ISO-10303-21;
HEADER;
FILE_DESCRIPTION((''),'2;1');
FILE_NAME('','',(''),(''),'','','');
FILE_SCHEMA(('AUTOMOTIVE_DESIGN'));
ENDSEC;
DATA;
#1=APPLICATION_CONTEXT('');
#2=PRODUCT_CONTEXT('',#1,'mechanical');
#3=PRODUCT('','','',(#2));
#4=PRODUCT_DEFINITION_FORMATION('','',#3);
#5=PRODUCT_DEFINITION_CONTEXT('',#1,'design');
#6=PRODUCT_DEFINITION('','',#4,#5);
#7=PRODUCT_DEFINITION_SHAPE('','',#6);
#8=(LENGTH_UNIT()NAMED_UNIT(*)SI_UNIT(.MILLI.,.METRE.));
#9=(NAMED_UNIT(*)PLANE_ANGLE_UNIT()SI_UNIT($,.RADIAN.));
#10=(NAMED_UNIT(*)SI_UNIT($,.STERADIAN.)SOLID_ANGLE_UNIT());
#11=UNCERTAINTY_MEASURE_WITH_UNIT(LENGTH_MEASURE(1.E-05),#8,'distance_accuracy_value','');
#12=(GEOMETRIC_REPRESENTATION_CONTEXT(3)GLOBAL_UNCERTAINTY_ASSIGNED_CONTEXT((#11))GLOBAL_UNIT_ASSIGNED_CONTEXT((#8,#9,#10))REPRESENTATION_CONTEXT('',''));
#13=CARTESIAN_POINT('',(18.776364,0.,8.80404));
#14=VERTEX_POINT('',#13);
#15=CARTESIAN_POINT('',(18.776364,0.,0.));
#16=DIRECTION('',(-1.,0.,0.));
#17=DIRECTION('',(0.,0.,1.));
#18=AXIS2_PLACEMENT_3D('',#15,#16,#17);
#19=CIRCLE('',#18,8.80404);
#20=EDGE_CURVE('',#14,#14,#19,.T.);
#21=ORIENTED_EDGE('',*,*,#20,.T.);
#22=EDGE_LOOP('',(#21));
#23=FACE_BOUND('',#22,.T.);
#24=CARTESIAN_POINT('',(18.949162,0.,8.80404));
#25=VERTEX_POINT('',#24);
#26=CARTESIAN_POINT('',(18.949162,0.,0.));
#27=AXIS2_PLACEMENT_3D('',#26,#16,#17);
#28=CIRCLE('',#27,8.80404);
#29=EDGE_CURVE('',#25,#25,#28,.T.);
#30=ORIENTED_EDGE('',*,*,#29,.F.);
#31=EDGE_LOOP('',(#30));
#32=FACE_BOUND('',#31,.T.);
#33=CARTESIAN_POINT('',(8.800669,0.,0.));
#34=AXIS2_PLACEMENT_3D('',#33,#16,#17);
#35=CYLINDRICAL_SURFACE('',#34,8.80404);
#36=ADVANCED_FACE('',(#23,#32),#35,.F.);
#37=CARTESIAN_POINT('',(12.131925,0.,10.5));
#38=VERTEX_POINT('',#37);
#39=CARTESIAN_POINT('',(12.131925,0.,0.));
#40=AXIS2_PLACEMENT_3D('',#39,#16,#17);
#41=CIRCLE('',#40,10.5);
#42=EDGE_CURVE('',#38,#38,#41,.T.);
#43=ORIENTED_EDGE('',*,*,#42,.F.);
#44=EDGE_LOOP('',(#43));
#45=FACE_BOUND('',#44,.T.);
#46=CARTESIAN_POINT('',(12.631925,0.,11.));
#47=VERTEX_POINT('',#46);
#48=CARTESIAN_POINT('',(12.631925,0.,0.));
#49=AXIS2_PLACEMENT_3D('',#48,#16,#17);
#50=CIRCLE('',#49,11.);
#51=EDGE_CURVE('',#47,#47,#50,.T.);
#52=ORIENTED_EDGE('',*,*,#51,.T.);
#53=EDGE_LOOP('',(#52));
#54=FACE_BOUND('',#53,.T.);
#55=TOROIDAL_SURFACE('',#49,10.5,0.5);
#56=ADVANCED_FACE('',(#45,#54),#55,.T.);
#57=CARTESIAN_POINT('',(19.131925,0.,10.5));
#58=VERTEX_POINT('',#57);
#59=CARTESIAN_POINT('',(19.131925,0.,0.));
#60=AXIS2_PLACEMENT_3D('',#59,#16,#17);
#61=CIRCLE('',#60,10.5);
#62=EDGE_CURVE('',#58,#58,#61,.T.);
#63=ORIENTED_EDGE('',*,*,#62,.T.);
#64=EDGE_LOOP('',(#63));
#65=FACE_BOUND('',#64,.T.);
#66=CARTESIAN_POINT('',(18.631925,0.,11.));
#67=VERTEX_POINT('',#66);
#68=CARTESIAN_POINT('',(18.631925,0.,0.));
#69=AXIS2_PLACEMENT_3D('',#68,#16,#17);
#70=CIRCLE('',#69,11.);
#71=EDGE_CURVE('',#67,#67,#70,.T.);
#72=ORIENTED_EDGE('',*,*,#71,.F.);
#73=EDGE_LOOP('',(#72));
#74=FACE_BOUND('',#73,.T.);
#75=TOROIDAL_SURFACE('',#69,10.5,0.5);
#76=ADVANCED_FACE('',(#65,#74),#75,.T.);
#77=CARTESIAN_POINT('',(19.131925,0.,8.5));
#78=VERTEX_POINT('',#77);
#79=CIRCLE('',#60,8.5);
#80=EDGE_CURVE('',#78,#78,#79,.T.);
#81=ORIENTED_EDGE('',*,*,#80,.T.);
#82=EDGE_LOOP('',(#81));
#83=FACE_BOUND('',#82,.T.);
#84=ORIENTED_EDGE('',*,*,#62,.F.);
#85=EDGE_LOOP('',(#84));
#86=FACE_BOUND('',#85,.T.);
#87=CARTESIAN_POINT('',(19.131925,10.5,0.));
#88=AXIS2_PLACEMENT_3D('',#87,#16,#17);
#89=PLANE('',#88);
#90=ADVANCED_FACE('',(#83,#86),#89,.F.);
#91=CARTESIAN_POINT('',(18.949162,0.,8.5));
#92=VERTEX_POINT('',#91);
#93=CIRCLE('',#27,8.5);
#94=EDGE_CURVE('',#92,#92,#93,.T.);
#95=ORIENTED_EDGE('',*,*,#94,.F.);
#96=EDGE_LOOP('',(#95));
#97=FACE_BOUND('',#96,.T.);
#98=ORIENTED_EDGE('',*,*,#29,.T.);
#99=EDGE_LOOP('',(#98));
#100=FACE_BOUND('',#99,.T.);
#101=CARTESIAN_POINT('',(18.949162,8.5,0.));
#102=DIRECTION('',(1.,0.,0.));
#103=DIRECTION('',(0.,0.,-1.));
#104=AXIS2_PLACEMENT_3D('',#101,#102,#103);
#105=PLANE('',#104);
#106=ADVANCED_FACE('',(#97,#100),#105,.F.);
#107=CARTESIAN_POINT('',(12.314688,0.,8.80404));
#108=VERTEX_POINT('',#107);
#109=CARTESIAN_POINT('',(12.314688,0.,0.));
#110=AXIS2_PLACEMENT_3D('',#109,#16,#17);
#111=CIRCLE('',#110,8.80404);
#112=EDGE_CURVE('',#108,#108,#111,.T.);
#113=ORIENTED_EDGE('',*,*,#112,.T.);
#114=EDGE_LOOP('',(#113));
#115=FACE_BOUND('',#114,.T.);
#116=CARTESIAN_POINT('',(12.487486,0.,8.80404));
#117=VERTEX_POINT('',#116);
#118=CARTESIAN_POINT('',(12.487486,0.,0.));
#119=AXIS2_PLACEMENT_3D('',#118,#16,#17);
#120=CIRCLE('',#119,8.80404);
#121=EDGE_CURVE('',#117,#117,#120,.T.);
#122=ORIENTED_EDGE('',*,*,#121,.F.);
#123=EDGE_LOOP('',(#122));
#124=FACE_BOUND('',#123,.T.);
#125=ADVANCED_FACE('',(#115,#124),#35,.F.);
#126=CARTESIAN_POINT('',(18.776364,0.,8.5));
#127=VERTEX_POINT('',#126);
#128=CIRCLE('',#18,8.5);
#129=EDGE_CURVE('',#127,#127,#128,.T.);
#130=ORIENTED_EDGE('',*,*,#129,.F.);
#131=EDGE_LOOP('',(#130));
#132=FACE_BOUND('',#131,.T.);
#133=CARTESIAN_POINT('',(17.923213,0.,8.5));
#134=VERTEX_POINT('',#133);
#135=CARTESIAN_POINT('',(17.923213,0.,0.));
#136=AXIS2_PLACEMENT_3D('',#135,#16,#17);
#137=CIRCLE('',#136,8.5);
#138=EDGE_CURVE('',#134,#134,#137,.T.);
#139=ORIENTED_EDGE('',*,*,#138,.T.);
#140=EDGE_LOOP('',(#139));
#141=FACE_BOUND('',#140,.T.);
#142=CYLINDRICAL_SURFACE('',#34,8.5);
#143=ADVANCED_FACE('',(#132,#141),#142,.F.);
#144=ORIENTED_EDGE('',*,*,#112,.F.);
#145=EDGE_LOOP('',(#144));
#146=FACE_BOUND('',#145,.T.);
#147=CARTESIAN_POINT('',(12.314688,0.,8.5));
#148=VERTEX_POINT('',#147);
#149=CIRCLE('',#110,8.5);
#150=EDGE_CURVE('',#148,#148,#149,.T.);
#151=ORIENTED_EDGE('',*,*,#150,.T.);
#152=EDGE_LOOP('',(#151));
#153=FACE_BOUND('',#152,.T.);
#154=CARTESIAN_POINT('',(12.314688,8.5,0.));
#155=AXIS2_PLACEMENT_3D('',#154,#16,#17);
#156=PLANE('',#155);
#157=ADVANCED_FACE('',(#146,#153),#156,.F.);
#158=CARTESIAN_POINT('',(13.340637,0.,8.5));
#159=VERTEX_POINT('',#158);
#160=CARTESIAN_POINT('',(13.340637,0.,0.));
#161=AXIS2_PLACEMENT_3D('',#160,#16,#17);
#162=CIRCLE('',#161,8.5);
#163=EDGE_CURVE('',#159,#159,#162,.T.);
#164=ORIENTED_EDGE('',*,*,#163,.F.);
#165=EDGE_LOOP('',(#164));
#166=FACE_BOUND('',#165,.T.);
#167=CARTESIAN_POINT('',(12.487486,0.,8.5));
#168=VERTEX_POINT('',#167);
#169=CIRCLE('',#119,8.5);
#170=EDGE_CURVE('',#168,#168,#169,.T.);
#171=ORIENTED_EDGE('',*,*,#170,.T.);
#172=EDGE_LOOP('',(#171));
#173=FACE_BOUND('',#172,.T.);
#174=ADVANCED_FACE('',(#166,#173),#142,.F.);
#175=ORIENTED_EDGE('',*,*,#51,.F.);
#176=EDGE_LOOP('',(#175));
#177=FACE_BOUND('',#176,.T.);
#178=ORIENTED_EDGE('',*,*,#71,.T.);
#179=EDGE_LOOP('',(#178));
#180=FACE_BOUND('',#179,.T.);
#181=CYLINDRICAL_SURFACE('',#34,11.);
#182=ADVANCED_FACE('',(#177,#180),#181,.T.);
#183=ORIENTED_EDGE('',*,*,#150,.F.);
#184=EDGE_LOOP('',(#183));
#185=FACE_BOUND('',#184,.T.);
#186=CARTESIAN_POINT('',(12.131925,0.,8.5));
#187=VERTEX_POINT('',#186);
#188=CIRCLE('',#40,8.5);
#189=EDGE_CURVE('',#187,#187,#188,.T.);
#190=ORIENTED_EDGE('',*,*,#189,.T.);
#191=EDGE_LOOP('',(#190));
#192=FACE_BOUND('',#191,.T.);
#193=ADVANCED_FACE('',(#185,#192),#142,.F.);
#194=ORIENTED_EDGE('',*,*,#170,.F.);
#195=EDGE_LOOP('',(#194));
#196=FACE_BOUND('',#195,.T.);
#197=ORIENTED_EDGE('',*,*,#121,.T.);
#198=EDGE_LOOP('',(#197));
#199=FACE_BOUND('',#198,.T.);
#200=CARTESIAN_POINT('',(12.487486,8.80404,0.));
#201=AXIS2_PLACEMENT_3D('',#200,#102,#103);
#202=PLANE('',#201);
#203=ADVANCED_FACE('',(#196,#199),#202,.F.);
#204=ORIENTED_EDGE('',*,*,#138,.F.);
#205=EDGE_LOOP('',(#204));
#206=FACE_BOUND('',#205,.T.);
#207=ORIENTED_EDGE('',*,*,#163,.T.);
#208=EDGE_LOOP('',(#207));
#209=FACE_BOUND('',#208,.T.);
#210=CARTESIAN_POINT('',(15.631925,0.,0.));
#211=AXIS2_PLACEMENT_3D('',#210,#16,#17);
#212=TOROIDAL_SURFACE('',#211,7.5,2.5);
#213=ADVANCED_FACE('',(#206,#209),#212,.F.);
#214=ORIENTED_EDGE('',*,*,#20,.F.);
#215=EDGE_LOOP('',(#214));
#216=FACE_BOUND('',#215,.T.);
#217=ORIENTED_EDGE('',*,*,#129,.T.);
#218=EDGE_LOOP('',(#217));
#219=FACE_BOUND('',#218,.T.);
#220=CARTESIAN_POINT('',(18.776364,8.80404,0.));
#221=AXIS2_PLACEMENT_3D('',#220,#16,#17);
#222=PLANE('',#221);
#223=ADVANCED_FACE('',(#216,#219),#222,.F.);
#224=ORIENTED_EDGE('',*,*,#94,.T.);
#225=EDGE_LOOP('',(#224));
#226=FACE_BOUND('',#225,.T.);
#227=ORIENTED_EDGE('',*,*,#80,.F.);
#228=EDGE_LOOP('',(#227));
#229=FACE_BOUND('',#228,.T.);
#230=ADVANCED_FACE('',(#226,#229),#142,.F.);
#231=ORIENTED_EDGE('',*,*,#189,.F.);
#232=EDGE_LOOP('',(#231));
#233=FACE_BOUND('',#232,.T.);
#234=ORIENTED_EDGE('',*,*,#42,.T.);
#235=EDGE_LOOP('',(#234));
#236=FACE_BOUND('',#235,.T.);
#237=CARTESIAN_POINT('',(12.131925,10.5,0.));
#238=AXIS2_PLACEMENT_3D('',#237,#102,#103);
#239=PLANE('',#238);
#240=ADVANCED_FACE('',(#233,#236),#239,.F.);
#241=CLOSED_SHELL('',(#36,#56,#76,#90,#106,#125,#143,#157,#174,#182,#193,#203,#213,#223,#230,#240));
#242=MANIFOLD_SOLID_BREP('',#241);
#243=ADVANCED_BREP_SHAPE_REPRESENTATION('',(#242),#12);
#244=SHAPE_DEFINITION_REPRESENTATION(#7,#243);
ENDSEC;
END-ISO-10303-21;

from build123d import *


with BuildPart() as part:
    # Esquisse1 → Révolution1 (revolve)
    with BuildSketch(Plane.XY, mode=Mode.PRIVATE) as r_volution1_sk:
        with BuildLine():
            Line((12.631924887, 11), (18.631924887, 11))
            ThreePointArc((18.631924887, 11), (18.985478277, 10.853553391), (19.131924887, 10.5))
            Line((19.131924887, 10.5), (19.131924887, 8.5))
            Line((19.131924887, 8.5), (18.949161839, 8.5))
            Line((18.949161839, 8.5), (18.949161839, 8.804039909))
            Line((18.949161839, 8.804039909), (18.77636399, 8.804039909))
            Line((18.77636399, 8.804039909), (18.77636399, 8.5))
            Line((18.77636399, 8.5), (17.923212734, 8.5))
            ThreePointArc((17.923212734, 8.5), (15.631924887, 10), (13.340637039, 8.5))
            Line((13.340637039, 8.5), (12.487485783, 8.5))
            Line((12.487485783, 8.5), (12.487485783, 8.804039909))
            Line((12.487485783, 8.804039909), (12.314687935, 8.804039909))
            Line((12.314687935, 8.804039909), (12.314687935, 8.5))
            Line((12.314687935, 8.5), (12.131924887, 8.5))
            Line((12.131924887, 8.5), (12.131924887, 10.5))
            ThreePointArc((12.131924887, 10.5), (12.278371496, 10.853553391), (12.631924887, 11))
        make_face()
    revolve(r_volution1_sk.sketch.rotate(Axis((8.800669459, 0, 0), (1, 0, 0)), 90), axis=Axis((8.800669459, 0, 0), (1, 0, 0)))


solid = part.part
